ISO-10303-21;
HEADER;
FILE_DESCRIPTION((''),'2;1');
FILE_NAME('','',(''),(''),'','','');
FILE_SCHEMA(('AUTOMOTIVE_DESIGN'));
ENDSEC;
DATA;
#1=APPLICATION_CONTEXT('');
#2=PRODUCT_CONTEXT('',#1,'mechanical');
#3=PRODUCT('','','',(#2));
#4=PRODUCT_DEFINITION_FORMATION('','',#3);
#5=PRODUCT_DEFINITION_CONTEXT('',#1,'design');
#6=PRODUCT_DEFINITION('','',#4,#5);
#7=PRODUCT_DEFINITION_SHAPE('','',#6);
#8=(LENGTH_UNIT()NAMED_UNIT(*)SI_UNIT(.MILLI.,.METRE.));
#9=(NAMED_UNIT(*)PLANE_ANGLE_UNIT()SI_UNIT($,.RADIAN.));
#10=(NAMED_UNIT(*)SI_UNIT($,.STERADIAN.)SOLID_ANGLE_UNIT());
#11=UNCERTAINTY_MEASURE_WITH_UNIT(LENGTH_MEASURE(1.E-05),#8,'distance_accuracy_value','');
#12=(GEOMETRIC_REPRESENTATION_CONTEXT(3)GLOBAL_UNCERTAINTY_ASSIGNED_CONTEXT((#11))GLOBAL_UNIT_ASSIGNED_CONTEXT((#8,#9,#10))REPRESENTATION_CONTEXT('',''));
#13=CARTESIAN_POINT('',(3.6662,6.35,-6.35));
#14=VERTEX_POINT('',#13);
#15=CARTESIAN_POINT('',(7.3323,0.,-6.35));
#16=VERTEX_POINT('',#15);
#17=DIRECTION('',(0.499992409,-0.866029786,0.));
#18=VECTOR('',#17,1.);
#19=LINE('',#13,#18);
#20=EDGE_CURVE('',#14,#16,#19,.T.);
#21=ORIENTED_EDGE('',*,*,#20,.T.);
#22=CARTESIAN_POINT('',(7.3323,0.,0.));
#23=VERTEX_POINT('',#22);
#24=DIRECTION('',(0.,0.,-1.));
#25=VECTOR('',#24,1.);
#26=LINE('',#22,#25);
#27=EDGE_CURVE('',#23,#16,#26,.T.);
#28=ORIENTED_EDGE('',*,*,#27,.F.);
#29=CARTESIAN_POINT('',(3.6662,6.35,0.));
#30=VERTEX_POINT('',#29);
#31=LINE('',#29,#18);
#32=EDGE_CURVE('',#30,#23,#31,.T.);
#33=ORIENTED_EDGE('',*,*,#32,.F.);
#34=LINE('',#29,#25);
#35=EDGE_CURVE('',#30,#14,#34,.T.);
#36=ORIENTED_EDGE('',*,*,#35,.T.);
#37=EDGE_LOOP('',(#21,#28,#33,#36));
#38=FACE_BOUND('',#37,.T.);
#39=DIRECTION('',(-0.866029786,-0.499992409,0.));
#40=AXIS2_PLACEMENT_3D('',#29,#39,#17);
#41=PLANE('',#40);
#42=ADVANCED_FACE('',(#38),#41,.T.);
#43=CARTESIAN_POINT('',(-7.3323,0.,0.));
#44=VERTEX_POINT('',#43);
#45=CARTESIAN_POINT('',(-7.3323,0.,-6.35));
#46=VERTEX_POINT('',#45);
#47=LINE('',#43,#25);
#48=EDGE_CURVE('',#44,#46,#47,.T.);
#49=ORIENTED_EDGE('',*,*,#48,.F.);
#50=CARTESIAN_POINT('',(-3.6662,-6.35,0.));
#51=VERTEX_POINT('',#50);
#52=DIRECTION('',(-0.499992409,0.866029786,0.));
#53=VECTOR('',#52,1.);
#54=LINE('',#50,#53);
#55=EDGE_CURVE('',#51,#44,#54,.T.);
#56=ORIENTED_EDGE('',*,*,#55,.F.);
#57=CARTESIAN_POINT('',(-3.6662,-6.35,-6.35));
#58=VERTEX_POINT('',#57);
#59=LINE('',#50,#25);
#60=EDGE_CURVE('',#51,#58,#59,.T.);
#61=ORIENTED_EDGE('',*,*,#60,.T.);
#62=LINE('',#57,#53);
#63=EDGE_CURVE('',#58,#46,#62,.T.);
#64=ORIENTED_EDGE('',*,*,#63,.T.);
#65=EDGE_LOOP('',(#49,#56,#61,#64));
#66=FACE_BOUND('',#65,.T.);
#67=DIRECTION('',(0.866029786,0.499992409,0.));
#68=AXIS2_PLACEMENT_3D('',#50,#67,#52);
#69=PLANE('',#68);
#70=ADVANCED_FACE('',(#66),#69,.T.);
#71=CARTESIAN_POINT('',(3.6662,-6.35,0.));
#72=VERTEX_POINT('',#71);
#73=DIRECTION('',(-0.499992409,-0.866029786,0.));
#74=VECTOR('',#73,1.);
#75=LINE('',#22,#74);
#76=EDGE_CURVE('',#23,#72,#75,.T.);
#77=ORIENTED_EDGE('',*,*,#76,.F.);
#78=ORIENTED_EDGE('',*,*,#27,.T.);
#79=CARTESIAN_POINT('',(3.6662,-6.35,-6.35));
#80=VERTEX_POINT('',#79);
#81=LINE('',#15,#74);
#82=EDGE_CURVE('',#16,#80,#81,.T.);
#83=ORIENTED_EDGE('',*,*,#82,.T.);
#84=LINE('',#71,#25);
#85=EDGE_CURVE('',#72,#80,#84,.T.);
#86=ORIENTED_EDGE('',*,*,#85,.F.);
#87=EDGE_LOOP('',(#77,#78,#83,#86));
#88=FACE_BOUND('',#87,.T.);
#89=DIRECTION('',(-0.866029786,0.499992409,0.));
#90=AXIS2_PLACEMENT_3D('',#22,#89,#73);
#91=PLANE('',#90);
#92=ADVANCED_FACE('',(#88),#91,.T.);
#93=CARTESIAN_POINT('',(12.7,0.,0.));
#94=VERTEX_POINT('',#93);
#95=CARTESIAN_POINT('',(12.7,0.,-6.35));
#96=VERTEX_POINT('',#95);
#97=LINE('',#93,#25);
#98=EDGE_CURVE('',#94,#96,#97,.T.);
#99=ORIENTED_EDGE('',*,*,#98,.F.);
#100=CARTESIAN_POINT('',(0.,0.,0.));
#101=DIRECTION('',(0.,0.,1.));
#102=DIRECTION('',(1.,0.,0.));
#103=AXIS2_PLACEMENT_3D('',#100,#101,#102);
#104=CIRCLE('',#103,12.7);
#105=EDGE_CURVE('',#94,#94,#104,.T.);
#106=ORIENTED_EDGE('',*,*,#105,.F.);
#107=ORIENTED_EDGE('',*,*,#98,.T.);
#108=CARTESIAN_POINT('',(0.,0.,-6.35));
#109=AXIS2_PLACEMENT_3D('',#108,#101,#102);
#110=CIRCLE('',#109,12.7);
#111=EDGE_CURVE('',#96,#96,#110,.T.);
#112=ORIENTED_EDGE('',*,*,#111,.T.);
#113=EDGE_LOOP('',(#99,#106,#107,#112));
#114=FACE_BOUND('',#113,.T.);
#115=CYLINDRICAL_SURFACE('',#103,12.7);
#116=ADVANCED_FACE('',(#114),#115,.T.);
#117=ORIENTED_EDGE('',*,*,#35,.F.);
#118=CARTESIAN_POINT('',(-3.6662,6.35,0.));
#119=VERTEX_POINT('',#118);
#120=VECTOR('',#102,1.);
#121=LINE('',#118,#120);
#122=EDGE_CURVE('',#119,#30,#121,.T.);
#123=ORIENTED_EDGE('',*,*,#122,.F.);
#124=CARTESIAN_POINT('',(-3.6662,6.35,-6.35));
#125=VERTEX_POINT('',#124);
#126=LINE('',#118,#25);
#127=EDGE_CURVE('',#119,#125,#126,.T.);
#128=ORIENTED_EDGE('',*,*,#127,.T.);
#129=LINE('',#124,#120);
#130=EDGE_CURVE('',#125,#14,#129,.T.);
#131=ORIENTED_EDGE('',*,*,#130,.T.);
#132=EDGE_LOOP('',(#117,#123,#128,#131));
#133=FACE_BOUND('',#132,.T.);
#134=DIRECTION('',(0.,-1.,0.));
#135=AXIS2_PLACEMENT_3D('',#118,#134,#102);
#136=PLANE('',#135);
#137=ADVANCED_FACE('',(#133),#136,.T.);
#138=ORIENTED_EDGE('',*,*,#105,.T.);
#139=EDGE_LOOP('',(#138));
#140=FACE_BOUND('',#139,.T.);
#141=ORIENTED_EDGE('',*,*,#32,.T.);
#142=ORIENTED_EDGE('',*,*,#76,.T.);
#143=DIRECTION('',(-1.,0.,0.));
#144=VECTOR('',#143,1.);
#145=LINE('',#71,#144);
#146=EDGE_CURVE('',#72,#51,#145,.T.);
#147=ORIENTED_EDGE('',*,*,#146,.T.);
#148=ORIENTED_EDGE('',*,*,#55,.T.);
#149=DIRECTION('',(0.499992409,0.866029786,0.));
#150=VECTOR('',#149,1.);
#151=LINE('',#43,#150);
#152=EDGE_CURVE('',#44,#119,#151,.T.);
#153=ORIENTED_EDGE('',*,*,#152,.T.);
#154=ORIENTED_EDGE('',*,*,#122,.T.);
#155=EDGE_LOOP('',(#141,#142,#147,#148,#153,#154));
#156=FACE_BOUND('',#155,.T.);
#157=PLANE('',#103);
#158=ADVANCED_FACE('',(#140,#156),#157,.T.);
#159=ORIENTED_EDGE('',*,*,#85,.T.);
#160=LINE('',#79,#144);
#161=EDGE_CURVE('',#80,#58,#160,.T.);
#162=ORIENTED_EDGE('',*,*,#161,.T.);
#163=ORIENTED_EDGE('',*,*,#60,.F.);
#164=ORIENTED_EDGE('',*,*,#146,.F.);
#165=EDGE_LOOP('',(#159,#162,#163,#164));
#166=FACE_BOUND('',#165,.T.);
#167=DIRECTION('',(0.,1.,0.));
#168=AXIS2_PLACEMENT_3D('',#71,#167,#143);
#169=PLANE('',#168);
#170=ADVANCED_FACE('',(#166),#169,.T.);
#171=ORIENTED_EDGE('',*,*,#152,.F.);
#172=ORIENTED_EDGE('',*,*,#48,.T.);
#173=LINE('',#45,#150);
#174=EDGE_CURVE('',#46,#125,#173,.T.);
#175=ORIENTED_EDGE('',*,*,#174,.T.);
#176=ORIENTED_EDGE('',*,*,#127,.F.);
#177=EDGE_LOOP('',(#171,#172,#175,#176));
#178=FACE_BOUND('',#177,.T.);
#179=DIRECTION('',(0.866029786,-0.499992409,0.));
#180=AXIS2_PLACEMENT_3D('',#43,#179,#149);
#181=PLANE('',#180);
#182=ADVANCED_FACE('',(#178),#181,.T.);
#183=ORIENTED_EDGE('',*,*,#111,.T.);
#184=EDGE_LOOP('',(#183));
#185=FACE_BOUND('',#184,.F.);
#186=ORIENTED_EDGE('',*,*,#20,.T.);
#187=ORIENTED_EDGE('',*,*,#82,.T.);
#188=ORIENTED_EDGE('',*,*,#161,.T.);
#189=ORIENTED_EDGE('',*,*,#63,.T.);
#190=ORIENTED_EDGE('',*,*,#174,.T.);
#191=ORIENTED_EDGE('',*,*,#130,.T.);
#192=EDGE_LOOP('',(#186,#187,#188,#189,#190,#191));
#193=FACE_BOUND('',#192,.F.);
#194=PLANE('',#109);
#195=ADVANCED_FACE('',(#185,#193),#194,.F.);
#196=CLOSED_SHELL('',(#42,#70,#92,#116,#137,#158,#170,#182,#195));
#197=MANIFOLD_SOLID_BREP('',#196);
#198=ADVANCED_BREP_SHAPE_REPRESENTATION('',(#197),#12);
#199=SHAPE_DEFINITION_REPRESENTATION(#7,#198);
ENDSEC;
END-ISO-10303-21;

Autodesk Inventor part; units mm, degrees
ref_plane "YZ Plane" through (0, 0, 0) normal (1, 0, 0) x (0, 1, 0)
ref_plane "XZ Plane" through (0, 0, 0) normal (0, 1, 0) x (-1, 0, 0)
ref_plane "XY Plane" through (0, 0, 0) normal (0, 0, 1) x (1, 0, 0)
sketch "Sketch1" plane through (0, 0, 0) normal (0, 0, 1) x (1, 0, 0)
  line L0 (3.6662, 6.35) -> (7.3323, 0)
  line L1 (7.3323, 0) -> (3.6662, -6.35)
  line L2 (3.6662, -6.35) -> (-3.6662, -6.35)
  line L3 (-3.6662, -6.35) -> (-7.3323, 0)
  line L4 (-7.3323, 0) -> (-3.6662, 6.35)
  line L5 (-3.6662, 6.35) -> (3.6662, 6.35)
  circle A0 centre (0, 0) radius 12.7
  circle A1 centre (0, 0) radius 7.3323 construction
  dimension "d0" = 12.7
  dimension "d2" = 25.4
  dimension "d3" = 5.3677
extrude "Extrusion1" add sketch "Sketch1" against normal blind 6.35
properties part number "1_2x1-hexBearing" material "PC/ABS Plastic"
